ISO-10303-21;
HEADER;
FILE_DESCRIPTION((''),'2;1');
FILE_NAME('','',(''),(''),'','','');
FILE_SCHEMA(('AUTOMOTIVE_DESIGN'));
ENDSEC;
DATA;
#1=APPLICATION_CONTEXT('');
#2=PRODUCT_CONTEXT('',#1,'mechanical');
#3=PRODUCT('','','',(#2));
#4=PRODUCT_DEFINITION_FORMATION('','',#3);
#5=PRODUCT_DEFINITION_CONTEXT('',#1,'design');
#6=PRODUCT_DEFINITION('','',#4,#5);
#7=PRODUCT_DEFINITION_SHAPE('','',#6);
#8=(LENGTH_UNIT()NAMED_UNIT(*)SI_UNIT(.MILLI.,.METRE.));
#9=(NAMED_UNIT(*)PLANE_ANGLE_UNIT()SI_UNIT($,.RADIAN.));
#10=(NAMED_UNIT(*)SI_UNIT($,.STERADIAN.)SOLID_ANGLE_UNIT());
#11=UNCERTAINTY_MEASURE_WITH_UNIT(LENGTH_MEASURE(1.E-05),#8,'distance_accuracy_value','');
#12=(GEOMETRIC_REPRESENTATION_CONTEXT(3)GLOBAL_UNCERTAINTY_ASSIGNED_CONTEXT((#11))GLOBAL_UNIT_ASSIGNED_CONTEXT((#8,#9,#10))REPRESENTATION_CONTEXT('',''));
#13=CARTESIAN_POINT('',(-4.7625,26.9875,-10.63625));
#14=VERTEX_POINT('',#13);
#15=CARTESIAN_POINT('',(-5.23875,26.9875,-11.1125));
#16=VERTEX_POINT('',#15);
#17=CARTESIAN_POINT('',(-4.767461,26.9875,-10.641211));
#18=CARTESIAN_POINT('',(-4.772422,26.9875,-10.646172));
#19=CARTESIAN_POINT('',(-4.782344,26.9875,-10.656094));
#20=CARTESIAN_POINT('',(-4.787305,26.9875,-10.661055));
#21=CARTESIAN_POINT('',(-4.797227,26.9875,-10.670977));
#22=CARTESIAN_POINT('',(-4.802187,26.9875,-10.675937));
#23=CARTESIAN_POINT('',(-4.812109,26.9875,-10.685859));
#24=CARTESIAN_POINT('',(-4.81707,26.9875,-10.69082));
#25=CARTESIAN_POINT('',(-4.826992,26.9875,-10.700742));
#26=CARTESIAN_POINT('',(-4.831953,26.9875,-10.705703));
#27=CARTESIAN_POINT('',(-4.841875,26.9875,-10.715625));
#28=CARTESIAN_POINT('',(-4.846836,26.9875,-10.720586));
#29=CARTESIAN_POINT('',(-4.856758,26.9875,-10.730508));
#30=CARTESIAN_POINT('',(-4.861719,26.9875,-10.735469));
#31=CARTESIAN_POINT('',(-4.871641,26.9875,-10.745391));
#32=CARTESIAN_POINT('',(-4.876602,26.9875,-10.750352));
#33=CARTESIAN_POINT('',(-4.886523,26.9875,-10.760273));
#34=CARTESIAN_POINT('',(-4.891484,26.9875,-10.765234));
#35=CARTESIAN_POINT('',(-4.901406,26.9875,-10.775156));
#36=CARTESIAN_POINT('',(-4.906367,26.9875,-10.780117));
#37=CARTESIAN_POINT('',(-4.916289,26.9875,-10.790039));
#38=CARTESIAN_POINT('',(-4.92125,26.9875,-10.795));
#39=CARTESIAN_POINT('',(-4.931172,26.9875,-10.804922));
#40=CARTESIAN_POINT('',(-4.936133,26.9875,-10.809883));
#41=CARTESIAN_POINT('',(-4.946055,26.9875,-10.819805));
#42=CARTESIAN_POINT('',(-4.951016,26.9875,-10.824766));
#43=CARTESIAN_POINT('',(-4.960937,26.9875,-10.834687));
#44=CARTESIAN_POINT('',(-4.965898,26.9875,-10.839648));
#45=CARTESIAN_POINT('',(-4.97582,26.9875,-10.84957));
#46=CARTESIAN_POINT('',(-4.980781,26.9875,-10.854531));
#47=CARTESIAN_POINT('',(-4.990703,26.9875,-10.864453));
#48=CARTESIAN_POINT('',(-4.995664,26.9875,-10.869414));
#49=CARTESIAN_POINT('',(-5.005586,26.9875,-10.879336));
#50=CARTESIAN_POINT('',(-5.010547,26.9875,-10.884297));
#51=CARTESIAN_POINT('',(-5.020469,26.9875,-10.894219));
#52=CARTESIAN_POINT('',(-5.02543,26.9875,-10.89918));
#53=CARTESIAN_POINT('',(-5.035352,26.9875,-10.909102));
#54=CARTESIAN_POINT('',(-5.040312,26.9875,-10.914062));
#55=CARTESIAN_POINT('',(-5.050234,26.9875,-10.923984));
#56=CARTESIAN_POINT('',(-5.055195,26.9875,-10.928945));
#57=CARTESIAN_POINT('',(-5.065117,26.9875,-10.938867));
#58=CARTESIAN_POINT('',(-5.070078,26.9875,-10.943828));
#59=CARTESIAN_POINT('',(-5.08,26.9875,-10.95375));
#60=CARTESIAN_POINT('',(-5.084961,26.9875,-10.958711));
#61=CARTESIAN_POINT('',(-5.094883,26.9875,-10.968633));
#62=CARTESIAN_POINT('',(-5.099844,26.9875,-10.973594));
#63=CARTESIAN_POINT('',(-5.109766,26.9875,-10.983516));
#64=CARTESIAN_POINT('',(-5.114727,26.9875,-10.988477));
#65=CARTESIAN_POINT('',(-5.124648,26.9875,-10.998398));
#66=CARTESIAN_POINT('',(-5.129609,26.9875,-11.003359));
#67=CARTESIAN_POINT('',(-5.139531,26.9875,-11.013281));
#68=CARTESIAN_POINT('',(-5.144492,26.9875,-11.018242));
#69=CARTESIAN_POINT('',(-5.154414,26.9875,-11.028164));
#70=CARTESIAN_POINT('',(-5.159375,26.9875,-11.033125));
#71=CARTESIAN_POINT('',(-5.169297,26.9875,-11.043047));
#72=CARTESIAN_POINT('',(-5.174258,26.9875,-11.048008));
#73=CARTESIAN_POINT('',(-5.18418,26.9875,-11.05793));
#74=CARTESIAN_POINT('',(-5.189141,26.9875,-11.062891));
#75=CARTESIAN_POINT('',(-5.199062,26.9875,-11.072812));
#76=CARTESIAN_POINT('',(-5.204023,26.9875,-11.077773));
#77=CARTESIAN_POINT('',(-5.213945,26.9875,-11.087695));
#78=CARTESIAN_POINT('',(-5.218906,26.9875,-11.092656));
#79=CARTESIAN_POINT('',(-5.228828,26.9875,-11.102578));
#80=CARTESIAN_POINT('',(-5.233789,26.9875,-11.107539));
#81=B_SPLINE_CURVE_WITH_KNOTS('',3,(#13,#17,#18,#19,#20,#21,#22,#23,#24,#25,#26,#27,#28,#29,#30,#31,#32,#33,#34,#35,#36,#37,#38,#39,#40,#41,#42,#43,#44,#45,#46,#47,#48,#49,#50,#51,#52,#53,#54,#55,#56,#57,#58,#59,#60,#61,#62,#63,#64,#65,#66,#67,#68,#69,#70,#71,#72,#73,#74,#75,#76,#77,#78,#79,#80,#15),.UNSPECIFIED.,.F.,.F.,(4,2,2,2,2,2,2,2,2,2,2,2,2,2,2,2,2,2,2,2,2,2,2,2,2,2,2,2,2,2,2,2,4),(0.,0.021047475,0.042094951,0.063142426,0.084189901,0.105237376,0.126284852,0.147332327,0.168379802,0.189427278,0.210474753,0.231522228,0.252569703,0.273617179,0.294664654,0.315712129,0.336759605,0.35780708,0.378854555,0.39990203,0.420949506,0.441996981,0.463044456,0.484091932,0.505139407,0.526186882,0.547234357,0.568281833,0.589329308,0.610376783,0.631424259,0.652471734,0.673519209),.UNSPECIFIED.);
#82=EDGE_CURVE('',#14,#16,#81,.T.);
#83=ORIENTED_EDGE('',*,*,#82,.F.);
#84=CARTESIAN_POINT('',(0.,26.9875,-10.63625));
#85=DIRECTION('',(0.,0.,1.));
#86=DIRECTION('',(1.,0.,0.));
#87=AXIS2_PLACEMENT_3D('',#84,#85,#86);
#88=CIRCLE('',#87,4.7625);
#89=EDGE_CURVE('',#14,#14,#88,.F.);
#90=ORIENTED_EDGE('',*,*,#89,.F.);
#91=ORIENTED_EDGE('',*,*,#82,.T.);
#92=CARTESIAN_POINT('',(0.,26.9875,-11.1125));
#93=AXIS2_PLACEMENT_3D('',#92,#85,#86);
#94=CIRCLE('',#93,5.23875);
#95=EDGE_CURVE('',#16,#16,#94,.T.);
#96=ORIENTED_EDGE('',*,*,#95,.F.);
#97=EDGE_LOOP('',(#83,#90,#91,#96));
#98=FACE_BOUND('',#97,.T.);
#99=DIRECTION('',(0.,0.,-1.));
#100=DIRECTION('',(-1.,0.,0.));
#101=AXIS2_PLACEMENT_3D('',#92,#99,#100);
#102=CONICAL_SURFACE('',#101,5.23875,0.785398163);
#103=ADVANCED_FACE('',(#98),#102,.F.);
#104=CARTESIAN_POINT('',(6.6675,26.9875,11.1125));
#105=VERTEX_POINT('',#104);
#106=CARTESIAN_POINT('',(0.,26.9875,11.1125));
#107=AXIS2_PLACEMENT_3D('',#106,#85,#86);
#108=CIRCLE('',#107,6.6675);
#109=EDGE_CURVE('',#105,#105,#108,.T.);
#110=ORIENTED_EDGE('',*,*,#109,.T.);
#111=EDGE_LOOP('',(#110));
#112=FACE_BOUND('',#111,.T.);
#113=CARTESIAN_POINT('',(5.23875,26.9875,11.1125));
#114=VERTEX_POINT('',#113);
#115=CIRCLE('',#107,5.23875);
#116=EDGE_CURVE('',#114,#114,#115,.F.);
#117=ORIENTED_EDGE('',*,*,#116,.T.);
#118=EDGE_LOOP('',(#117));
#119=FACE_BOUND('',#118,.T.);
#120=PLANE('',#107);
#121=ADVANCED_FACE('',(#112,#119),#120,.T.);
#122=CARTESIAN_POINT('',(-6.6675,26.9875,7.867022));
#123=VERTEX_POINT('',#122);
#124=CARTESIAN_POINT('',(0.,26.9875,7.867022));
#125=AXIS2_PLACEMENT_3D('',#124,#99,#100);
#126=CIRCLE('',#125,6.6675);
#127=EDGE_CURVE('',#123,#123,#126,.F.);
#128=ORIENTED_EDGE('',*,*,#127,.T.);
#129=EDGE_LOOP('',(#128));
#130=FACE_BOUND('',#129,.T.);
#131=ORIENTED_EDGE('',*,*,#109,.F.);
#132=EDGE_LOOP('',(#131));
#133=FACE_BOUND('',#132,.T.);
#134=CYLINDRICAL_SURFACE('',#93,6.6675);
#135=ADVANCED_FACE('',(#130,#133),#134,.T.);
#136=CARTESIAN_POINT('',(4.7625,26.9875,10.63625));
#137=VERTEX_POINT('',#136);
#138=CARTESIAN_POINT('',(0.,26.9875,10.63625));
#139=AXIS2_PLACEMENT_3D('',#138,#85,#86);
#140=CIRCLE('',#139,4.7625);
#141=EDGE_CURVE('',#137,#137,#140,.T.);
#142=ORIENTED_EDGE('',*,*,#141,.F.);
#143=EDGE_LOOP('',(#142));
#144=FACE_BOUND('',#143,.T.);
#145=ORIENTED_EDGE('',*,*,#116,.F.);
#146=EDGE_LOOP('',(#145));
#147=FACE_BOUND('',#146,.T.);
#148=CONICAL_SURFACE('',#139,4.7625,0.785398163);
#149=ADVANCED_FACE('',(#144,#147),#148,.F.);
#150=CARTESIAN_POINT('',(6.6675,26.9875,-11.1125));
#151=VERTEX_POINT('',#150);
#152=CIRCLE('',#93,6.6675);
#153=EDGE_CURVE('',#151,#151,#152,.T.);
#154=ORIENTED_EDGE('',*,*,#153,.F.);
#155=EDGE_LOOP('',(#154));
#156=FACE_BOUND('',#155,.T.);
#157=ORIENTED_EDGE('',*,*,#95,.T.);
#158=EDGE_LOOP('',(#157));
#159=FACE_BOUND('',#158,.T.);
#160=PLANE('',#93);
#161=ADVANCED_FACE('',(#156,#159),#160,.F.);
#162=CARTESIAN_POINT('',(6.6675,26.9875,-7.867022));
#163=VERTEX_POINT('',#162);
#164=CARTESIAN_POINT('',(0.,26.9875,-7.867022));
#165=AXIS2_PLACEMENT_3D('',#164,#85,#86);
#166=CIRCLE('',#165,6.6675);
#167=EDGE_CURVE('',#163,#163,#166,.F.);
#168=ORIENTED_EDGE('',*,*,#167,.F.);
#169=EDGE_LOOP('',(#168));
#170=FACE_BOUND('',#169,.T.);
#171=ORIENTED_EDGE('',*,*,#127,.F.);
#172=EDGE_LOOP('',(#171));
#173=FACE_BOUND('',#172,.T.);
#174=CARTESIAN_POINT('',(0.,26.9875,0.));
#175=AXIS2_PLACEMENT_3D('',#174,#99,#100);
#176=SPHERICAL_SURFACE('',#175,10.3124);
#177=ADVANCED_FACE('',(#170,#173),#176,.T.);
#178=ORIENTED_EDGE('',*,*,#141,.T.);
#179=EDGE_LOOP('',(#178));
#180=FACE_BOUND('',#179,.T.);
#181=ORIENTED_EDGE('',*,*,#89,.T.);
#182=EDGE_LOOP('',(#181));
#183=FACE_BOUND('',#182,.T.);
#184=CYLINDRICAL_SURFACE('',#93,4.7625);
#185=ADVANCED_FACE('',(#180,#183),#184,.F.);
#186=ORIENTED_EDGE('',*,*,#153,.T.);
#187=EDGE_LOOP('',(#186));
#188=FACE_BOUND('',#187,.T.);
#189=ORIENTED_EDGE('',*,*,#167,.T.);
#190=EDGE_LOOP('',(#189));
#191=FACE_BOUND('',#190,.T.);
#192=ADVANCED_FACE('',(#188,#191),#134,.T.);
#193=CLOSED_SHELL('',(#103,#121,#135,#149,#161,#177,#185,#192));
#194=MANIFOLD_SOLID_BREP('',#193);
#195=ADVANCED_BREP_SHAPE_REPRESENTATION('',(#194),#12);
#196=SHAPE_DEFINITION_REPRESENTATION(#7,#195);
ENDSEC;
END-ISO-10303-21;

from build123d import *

# Parameters (mm, degrees)
EXTRUDE1_DEPTH          = 11.1125
EXTRUDE1_DEPTH_BACK     = 11.1125
SKETCH12_R              = 6.6675
CUT_EXTRUDE4_DEPTH      = 41.26308225
CUT_EXTRUDE4_DEPTH_BACK = 41.26308225
SKETCH10_R              = 4.7625
CHAMFER1_SIZE           = 0.47625


with BuildPart() as part:
    # Sketch7 → Revolve3 (revolve)
    with BuildSketch(Plane.XY):
        with BuildLine():
            Line((0, 37.2999), (0, 16.6751))
            ThreePointArc((0, 16.6751), (10.3124, 26.9875), (0, 37.2999))
        make_face()
    revolve(axis=Axis((0, 0, 0), (0, 1, 0)))

    # Sketch12 → Extrude1 (add, two sides: drawn at the far end of the back side and taken through both)
    with BuildSketch(Plane.XY.offset(-EXTRUDE1_DEPTH_BACK)):
        with Locations((0, 26.9875)):
            Circle(SKETCH12_R)
    extrude(amount=EXTRUDE1_DEPTH + EXTRUDE1_DEPTH_BACK)

    # Sketch10 → Cut-Extrude4 (cut, two sides: drawn at the far end of the back side and taken through both)
    with BuildSketch(Plane.XY.offset(-CUT_EXTRUDE4_DEPTH_BACK)):
        with Locations((0, 26.9875)):
            Circle(SKETCH10_R)
    extrude(amount=CUT_EXTRUDE4_DEPTH + CUT_EXTRUDE4_DEPTH_BACK, mode=Mode.SUBTRACT)

    # Chamfer1
    chamfer1_edges = [part.edges().sort_by_distance(p)[0] for p in [
        (-4.7625, 26.9875, -11.1125),
        (-4.7625, 26.9875, 11.1125),
    ]]
    chamfer(chamfer1_edges, length=CHAMFER1_SIZE)


solid = part.part
